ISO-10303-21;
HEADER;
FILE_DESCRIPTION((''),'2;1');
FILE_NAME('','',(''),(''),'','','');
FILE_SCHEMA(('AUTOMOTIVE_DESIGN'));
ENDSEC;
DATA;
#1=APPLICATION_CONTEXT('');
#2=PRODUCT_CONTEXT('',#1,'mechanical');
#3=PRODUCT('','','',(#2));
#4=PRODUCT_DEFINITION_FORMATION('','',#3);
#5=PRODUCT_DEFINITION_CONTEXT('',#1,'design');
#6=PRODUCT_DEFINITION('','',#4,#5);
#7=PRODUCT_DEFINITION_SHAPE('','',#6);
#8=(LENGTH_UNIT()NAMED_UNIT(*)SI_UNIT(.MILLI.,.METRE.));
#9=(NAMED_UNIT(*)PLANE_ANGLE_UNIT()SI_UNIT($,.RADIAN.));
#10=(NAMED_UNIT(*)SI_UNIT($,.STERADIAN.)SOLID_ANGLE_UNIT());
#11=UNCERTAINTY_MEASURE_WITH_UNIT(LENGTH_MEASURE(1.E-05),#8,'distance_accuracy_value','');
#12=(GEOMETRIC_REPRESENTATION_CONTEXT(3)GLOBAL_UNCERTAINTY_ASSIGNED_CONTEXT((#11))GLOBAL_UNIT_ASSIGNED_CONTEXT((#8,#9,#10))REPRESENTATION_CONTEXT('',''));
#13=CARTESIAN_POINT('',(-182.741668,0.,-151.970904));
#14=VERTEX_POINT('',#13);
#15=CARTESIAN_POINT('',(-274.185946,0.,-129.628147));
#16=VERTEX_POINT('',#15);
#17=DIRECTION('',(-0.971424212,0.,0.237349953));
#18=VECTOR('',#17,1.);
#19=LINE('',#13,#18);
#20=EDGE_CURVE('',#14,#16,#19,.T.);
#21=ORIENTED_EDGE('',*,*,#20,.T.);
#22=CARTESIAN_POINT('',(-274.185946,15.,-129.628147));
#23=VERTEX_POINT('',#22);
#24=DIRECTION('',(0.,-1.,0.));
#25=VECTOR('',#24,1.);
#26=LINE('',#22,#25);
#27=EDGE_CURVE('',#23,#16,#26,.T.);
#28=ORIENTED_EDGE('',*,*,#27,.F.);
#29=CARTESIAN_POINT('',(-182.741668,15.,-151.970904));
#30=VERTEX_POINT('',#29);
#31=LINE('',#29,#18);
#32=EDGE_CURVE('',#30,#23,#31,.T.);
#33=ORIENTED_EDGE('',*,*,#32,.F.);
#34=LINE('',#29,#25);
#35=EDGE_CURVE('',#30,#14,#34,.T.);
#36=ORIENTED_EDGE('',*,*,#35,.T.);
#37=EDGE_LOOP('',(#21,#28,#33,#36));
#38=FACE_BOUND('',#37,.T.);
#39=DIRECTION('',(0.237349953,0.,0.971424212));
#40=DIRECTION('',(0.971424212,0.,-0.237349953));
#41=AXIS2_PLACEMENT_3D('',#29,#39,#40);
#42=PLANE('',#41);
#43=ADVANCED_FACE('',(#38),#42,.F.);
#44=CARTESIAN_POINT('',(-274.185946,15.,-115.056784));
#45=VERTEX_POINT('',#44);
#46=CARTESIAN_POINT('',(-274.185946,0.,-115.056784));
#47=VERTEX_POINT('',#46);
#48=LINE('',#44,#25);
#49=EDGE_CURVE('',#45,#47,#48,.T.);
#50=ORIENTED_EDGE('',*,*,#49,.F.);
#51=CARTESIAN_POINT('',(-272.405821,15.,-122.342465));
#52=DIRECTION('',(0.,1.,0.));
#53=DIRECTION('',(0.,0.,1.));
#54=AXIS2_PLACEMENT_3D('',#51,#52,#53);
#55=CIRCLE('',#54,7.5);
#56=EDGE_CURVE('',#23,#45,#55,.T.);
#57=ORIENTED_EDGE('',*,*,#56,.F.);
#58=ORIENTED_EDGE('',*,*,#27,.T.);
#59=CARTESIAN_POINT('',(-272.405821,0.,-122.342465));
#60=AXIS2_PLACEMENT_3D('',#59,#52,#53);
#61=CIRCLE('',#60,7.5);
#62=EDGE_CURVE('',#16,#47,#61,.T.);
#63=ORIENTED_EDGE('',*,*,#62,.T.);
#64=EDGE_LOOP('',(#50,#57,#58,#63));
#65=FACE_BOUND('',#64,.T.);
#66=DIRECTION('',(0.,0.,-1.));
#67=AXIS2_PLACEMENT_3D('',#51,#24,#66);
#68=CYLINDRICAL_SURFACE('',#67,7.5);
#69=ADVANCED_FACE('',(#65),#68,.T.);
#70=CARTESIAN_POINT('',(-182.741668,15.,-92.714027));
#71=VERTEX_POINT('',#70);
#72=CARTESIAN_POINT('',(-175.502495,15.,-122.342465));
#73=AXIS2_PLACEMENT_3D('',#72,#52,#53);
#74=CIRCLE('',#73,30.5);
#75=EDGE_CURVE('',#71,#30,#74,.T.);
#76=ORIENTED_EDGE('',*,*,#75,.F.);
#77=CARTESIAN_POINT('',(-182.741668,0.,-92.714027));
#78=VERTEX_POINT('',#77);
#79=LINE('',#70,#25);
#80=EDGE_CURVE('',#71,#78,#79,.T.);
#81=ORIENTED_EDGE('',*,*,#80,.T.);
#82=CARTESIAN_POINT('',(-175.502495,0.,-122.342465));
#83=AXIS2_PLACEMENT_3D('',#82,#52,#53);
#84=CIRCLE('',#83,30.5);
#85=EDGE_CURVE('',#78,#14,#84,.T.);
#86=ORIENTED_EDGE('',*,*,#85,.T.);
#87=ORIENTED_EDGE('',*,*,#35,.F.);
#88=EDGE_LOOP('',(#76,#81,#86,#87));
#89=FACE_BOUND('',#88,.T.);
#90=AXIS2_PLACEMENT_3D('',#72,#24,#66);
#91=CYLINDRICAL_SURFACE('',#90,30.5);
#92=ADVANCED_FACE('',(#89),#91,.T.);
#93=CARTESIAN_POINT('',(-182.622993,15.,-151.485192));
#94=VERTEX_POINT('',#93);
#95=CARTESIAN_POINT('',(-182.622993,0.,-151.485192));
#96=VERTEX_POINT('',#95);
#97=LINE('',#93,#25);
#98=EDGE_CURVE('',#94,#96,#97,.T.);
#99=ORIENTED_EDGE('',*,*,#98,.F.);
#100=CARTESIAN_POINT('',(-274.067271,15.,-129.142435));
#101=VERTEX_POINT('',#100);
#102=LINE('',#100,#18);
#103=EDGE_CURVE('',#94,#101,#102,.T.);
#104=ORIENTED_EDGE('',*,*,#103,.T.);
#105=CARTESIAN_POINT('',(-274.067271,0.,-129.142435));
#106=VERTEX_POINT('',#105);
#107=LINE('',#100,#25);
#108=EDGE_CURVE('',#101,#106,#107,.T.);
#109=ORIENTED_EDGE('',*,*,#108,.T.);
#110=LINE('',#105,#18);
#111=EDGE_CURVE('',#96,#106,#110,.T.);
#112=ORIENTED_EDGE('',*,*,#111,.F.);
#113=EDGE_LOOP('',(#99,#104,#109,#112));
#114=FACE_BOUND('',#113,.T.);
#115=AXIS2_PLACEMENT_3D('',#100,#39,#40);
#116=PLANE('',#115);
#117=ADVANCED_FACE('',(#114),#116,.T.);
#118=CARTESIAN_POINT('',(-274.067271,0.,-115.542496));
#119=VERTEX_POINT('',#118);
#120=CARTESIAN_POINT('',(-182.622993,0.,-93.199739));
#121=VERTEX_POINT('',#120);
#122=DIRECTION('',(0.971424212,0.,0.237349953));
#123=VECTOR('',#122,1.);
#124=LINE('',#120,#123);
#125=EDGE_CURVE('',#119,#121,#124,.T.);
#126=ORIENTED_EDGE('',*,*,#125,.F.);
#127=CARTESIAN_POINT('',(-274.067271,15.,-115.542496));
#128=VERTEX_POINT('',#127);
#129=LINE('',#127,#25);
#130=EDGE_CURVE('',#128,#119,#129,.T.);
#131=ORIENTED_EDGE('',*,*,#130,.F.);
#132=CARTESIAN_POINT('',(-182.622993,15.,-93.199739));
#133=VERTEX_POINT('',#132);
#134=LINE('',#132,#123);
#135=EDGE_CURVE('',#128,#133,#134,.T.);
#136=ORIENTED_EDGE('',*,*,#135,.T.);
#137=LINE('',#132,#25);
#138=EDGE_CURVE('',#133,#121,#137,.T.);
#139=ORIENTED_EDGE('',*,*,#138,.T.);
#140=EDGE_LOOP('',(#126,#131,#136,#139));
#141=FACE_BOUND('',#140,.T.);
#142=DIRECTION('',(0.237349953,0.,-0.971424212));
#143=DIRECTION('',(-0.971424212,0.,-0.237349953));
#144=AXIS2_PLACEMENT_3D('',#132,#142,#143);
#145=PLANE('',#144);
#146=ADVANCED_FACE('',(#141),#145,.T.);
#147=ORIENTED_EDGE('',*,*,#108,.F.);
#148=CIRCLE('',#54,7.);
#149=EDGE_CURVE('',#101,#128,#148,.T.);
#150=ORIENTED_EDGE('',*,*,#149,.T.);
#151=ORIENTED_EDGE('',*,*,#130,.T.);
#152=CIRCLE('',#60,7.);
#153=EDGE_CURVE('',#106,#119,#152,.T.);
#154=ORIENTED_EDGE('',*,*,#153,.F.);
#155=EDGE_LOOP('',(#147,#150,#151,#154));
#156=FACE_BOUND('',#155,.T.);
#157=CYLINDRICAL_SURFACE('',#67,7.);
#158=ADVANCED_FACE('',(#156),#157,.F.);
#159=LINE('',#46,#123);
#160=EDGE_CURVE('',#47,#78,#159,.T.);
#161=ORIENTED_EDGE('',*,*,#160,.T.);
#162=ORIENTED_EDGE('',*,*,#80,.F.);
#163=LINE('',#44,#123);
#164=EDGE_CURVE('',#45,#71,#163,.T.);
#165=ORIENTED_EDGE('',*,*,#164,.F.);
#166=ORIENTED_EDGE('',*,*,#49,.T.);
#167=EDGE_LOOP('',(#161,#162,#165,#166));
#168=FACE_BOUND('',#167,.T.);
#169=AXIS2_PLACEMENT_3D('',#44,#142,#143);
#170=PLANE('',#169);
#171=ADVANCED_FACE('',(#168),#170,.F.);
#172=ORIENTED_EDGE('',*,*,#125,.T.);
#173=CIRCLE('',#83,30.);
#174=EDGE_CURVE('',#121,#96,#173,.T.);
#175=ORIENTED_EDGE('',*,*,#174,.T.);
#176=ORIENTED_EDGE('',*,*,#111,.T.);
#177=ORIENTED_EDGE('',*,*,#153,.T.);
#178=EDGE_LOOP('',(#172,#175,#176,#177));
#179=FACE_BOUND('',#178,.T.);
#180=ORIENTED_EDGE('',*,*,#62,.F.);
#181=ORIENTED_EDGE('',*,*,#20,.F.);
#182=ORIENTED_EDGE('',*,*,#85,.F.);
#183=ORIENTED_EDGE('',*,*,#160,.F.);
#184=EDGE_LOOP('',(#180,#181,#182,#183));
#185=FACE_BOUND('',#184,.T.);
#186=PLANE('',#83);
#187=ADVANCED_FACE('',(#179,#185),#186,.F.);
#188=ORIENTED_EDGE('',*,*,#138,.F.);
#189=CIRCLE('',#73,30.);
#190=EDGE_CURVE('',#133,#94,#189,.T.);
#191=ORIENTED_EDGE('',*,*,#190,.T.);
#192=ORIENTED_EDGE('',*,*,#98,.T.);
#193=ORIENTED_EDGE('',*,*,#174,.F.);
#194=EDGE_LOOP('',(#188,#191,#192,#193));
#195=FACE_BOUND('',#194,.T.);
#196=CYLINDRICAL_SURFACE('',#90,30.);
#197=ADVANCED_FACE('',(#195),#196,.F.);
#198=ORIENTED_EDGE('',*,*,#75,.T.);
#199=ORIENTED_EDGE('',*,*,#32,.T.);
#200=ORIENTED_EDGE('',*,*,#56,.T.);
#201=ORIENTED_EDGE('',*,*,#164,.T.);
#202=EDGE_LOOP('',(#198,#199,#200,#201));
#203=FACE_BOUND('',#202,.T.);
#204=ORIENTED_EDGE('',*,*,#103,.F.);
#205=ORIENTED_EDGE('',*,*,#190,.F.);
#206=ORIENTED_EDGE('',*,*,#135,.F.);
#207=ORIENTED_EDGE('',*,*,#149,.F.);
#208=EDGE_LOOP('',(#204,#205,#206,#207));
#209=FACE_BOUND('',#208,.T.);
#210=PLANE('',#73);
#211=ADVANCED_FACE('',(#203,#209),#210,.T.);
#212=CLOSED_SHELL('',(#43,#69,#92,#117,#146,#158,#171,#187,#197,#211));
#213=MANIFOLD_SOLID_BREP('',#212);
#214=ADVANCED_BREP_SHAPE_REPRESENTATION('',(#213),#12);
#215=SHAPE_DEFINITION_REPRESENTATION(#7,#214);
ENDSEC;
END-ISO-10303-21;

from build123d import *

# Parameters (mm, degrees)
BOSS_EXTRUDE1_DEPTH = 15


with BuildPart() as part:
    # Sketch1 → Boss-Extrude1 (new body)
    with BuildSketch(Plane(origin=(0, 0, 0), x_dir=(1, 0, 0), z_dir=(0, 1, 0))):
        with BuildLine():
            Line((-182.741668224, 151.970903781), (-274.185945777, 129.628146904))
            ThreePointArc((-274.185945777, 129.628146904), (-279.905821128, 122.342465314), (-274.185945777, 115.056783724))
            Line((-274.185945777, 115.056783724), (-182.741668224, 92.714026847))
            ThreePointArc((-182.741668224, 92.714026847), (-145.002494652, 122.342465314), (-182.741668224, 151.970903781))
        make_face()
        with BuildLine():
            Line((-274.0672708, 129.142434798), (-182.622993247, 151.485191675))
            ThreePointArc((-182.622993247, 151.485191675), (-145.502494652, 122.342465314), (-182.622993247, 93.199738953))
            Line((-182.622993247, 93.199738953), (-274.0672708, 115.54249583))
            ThreePointArc((-274.0672708, 115.54249583), (-279.405821128, 122.342465314), (-274.0672708, 129.142434798))
        make_face(mode=Mode.SUBTRACT)
    extrude(amount=BOSS_EXTRUDE1_DEPTH)


solid = part.part
